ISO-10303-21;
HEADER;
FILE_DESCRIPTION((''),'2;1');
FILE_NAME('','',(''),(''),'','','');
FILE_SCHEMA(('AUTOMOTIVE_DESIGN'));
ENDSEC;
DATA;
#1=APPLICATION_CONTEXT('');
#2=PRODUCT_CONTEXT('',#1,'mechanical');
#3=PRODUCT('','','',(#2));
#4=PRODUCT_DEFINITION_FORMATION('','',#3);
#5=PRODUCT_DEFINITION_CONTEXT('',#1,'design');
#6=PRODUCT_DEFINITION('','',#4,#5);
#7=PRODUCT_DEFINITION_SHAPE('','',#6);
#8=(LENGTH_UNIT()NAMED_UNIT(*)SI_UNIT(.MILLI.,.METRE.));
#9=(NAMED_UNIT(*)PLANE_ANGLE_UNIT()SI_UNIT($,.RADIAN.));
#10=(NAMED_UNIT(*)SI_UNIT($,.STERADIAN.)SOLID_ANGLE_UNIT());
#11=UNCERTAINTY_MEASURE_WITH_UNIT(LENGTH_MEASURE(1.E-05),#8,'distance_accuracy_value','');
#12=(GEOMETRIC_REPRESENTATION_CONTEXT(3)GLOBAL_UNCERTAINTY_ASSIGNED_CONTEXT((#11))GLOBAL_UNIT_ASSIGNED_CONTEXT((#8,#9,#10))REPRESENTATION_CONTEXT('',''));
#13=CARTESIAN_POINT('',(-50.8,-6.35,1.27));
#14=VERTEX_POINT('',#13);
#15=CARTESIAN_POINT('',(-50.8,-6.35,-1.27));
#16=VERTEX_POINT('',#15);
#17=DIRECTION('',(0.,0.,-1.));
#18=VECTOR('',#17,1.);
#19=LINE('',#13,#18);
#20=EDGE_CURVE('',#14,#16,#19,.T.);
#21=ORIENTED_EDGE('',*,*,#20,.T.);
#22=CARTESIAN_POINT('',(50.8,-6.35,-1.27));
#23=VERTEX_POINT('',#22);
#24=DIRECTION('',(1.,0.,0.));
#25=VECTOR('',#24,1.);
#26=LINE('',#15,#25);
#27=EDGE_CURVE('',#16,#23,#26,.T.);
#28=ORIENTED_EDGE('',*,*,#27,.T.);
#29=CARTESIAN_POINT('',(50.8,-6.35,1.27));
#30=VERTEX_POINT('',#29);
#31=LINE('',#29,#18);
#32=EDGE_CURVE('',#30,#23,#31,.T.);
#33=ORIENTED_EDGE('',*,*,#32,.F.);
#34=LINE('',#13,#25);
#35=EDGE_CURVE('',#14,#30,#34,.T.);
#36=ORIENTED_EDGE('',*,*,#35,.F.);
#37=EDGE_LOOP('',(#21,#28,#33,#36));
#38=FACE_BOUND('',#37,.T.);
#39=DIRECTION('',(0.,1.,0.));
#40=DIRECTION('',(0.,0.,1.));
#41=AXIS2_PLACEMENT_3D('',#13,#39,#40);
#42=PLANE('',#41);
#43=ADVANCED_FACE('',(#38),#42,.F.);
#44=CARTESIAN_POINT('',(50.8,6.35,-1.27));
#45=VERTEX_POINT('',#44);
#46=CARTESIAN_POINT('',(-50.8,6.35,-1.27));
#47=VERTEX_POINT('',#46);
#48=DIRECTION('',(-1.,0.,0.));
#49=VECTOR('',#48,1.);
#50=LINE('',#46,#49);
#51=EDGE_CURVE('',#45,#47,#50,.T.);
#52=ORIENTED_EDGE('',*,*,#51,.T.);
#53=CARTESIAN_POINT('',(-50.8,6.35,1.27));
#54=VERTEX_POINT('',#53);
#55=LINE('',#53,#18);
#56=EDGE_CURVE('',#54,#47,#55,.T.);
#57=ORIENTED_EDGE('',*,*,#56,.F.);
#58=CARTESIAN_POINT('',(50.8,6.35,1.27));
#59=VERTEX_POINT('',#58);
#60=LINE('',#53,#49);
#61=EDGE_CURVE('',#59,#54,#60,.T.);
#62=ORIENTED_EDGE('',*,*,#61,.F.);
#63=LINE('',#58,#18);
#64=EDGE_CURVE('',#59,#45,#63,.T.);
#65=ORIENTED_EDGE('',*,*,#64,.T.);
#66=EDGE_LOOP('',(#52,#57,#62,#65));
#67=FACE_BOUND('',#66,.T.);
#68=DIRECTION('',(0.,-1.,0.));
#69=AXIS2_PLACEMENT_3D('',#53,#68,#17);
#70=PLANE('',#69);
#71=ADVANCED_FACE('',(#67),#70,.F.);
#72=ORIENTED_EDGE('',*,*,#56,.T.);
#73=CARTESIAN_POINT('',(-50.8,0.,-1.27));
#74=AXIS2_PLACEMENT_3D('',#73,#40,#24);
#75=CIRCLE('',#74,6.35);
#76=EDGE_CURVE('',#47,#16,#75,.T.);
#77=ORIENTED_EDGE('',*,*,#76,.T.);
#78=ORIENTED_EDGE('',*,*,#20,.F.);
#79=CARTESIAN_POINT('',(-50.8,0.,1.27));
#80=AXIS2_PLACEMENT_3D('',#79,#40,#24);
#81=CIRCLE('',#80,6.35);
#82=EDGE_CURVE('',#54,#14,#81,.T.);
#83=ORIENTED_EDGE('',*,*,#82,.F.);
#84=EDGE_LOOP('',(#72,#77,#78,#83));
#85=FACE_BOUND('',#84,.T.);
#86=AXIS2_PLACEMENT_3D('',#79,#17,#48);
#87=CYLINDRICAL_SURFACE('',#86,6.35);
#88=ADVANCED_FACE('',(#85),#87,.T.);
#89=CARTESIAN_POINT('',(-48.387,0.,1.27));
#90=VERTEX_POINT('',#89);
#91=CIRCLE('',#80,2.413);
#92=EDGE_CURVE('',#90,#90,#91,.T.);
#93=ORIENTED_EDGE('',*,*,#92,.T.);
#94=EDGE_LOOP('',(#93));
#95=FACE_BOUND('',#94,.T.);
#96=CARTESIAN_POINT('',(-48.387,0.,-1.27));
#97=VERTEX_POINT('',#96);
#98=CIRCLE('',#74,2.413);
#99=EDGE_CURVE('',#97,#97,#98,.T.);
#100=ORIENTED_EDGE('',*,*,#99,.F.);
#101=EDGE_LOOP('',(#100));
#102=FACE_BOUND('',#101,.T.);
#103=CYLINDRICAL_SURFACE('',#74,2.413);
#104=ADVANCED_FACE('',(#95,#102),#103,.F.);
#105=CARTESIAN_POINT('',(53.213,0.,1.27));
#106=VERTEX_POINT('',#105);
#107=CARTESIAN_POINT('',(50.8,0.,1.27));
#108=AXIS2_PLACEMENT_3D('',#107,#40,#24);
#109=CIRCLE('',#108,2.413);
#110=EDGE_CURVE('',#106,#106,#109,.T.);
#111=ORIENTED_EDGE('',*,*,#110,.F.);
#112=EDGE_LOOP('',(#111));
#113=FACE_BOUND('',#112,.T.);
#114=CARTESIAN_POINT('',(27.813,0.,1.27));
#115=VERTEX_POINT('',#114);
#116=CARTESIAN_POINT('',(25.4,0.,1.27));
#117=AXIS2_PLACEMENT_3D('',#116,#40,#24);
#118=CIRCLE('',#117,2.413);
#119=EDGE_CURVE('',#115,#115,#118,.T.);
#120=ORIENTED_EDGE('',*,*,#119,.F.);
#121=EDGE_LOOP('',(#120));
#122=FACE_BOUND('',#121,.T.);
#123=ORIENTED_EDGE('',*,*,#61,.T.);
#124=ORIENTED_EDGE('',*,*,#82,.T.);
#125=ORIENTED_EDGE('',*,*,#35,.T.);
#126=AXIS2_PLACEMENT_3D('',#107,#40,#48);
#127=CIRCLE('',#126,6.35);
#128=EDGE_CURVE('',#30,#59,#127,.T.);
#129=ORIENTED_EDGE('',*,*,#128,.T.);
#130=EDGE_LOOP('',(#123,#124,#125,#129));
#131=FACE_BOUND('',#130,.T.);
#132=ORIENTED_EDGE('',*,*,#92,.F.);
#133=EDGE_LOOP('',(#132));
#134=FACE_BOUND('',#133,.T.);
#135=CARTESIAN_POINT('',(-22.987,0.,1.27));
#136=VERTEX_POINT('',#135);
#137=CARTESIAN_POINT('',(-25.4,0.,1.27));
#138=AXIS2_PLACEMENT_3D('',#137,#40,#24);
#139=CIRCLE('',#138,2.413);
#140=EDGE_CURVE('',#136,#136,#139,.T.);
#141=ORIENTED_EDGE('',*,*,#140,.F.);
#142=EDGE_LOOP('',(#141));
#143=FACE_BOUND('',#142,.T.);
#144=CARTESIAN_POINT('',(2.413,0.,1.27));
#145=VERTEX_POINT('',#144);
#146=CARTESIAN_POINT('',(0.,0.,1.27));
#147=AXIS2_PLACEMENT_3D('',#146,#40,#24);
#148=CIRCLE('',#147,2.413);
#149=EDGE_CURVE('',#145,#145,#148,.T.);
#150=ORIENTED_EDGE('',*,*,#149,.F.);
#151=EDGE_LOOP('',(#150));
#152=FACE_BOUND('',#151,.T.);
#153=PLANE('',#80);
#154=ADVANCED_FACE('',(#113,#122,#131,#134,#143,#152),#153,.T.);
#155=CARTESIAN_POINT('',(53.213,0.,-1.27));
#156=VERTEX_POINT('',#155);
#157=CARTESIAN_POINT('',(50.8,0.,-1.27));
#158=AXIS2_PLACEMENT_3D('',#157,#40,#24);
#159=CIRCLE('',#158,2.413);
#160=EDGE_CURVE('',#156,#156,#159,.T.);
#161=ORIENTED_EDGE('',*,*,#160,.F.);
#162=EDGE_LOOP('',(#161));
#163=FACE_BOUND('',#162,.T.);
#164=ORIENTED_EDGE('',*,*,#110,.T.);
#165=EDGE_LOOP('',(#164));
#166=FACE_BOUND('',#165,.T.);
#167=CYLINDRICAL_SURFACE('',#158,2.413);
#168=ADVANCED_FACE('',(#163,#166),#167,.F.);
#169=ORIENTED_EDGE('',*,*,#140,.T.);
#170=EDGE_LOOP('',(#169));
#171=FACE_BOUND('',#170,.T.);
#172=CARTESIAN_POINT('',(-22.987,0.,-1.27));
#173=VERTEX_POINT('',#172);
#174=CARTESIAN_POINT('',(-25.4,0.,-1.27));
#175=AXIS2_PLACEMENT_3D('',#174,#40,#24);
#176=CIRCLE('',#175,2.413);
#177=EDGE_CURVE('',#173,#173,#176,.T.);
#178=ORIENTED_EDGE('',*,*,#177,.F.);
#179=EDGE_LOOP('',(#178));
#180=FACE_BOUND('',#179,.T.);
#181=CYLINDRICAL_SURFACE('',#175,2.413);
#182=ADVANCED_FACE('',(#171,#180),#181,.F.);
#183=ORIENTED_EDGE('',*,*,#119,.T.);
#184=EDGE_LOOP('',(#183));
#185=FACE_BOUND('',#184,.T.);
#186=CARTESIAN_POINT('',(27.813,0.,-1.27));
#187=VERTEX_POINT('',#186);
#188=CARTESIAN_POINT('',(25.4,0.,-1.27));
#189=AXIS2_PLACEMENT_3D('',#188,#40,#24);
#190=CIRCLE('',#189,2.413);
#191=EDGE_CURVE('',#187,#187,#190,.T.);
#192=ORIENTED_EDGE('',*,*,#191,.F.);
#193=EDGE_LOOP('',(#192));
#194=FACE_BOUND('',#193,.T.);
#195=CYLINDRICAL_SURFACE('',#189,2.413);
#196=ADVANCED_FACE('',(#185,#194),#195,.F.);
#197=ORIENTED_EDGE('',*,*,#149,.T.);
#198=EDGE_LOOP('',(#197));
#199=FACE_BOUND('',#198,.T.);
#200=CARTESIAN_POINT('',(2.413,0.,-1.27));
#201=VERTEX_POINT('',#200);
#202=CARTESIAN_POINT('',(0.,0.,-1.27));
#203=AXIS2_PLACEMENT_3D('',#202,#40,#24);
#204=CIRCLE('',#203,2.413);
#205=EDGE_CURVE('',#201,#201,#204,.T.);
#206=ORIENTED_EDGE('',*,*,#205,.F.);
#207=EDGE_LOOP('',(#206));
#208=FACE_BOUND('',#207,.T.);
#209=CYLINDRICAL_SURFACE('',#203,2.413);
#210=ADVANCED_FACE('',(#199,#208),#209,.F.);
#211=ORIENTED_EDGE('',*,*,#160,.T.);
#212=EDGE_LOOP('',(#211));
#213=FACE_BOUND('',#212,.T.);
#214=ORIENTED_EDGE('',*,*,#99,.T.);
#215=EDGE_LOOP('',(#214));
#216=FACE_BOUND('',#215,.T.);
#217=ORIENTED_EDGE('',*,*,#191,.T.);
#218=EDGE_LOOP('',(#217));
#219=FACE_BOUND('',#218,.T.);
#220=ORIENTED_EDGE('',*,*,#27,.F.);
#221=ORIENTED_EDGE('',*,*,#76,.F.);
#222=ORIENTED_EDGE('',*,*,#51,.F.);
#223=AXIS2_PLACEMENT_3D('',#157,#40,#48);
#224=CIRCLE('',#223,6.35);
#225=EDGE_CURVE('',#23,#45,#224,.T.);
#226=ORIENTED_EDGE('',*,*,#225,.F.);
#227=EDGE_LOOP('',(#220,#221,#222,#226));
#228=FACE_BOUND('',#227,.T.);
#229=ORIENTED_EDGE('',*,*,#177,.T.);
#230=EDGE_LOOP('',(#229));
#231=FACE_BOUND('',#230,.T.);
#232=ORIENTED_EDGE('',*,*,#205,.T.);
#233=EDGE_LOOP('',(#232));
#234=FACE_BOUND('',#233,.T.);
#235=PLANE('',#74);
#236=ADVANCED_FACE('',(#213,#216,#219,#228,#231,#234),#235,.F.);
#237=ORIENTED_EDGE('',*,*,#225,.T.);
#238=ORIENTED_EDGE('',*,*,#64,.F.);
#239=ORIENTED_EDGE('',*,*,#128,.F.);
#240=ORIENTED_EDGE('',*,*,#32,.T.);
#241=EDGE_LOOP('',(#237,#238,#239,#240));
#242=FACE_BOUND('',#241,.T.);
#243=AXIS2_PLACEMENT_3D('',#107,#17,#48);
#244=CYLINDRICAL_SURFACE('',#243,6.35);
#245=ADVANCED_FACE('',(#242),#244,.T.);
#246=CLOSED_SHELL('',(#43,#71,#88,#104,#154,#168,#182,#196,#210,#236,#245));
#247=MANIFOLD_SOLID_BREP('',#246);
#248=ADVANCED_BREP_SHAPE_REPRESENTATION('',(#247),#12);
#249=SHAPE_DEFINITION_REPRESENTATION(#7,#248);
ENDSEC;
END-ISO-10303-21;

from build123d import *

# Parameters (mm, degrees)
BOSS_EXTRUDE1_DEPTH = 1.27
SKETCH2_R           = 2.413
CUT_EXTRUDE1_DEPTH  = 58.557767504
LPATTERN1_COUNT     = 5
LPATTERN1_PITCH     = 25.4


with BuildPart() as part:
    # Sketch1 → Boss-Extrude1 (new, symmetric)
    with BuildSketch(Plane.XY):
        with BuildLine():
            Line((-50.8, 6.35), (50.8, 6.35))
            ThreePointArc((50.8, 6.35), (57.15, 0), (50.8, -6.35))
            Line((50.8, -6.35), (-50.8, -6.35))
            ThreePointArc((-50.8, -6.35), (-57.15, 0), (-50.8, 6.35))
        make_face()
    extrude(amount=BOSS_EXTRUDE1_DEPTH, both=True)

    # Sketch2 → Cut-Extrude1 (cut, through all)
    with BuildSketch(Plane.XY.offset(1.27)):
        with Locations((-50.8, 0)):
            Circle(SKETCH2_R)
    cut_extrude1 = extrude(amount=-CUT_EXTRUDE1_DEPTH, mode=Mode.SUBTRACT)

    # LPattern1: Cut-Extrude1 ×5
    with Locations(*[(i * LPATTERN1_PITCH, 0, 0) for i in range(1, LPATTERN1_COUNT)]):
        add(cut_extrude1, mode=Mode.SUBTRACT)


solid = part.part
